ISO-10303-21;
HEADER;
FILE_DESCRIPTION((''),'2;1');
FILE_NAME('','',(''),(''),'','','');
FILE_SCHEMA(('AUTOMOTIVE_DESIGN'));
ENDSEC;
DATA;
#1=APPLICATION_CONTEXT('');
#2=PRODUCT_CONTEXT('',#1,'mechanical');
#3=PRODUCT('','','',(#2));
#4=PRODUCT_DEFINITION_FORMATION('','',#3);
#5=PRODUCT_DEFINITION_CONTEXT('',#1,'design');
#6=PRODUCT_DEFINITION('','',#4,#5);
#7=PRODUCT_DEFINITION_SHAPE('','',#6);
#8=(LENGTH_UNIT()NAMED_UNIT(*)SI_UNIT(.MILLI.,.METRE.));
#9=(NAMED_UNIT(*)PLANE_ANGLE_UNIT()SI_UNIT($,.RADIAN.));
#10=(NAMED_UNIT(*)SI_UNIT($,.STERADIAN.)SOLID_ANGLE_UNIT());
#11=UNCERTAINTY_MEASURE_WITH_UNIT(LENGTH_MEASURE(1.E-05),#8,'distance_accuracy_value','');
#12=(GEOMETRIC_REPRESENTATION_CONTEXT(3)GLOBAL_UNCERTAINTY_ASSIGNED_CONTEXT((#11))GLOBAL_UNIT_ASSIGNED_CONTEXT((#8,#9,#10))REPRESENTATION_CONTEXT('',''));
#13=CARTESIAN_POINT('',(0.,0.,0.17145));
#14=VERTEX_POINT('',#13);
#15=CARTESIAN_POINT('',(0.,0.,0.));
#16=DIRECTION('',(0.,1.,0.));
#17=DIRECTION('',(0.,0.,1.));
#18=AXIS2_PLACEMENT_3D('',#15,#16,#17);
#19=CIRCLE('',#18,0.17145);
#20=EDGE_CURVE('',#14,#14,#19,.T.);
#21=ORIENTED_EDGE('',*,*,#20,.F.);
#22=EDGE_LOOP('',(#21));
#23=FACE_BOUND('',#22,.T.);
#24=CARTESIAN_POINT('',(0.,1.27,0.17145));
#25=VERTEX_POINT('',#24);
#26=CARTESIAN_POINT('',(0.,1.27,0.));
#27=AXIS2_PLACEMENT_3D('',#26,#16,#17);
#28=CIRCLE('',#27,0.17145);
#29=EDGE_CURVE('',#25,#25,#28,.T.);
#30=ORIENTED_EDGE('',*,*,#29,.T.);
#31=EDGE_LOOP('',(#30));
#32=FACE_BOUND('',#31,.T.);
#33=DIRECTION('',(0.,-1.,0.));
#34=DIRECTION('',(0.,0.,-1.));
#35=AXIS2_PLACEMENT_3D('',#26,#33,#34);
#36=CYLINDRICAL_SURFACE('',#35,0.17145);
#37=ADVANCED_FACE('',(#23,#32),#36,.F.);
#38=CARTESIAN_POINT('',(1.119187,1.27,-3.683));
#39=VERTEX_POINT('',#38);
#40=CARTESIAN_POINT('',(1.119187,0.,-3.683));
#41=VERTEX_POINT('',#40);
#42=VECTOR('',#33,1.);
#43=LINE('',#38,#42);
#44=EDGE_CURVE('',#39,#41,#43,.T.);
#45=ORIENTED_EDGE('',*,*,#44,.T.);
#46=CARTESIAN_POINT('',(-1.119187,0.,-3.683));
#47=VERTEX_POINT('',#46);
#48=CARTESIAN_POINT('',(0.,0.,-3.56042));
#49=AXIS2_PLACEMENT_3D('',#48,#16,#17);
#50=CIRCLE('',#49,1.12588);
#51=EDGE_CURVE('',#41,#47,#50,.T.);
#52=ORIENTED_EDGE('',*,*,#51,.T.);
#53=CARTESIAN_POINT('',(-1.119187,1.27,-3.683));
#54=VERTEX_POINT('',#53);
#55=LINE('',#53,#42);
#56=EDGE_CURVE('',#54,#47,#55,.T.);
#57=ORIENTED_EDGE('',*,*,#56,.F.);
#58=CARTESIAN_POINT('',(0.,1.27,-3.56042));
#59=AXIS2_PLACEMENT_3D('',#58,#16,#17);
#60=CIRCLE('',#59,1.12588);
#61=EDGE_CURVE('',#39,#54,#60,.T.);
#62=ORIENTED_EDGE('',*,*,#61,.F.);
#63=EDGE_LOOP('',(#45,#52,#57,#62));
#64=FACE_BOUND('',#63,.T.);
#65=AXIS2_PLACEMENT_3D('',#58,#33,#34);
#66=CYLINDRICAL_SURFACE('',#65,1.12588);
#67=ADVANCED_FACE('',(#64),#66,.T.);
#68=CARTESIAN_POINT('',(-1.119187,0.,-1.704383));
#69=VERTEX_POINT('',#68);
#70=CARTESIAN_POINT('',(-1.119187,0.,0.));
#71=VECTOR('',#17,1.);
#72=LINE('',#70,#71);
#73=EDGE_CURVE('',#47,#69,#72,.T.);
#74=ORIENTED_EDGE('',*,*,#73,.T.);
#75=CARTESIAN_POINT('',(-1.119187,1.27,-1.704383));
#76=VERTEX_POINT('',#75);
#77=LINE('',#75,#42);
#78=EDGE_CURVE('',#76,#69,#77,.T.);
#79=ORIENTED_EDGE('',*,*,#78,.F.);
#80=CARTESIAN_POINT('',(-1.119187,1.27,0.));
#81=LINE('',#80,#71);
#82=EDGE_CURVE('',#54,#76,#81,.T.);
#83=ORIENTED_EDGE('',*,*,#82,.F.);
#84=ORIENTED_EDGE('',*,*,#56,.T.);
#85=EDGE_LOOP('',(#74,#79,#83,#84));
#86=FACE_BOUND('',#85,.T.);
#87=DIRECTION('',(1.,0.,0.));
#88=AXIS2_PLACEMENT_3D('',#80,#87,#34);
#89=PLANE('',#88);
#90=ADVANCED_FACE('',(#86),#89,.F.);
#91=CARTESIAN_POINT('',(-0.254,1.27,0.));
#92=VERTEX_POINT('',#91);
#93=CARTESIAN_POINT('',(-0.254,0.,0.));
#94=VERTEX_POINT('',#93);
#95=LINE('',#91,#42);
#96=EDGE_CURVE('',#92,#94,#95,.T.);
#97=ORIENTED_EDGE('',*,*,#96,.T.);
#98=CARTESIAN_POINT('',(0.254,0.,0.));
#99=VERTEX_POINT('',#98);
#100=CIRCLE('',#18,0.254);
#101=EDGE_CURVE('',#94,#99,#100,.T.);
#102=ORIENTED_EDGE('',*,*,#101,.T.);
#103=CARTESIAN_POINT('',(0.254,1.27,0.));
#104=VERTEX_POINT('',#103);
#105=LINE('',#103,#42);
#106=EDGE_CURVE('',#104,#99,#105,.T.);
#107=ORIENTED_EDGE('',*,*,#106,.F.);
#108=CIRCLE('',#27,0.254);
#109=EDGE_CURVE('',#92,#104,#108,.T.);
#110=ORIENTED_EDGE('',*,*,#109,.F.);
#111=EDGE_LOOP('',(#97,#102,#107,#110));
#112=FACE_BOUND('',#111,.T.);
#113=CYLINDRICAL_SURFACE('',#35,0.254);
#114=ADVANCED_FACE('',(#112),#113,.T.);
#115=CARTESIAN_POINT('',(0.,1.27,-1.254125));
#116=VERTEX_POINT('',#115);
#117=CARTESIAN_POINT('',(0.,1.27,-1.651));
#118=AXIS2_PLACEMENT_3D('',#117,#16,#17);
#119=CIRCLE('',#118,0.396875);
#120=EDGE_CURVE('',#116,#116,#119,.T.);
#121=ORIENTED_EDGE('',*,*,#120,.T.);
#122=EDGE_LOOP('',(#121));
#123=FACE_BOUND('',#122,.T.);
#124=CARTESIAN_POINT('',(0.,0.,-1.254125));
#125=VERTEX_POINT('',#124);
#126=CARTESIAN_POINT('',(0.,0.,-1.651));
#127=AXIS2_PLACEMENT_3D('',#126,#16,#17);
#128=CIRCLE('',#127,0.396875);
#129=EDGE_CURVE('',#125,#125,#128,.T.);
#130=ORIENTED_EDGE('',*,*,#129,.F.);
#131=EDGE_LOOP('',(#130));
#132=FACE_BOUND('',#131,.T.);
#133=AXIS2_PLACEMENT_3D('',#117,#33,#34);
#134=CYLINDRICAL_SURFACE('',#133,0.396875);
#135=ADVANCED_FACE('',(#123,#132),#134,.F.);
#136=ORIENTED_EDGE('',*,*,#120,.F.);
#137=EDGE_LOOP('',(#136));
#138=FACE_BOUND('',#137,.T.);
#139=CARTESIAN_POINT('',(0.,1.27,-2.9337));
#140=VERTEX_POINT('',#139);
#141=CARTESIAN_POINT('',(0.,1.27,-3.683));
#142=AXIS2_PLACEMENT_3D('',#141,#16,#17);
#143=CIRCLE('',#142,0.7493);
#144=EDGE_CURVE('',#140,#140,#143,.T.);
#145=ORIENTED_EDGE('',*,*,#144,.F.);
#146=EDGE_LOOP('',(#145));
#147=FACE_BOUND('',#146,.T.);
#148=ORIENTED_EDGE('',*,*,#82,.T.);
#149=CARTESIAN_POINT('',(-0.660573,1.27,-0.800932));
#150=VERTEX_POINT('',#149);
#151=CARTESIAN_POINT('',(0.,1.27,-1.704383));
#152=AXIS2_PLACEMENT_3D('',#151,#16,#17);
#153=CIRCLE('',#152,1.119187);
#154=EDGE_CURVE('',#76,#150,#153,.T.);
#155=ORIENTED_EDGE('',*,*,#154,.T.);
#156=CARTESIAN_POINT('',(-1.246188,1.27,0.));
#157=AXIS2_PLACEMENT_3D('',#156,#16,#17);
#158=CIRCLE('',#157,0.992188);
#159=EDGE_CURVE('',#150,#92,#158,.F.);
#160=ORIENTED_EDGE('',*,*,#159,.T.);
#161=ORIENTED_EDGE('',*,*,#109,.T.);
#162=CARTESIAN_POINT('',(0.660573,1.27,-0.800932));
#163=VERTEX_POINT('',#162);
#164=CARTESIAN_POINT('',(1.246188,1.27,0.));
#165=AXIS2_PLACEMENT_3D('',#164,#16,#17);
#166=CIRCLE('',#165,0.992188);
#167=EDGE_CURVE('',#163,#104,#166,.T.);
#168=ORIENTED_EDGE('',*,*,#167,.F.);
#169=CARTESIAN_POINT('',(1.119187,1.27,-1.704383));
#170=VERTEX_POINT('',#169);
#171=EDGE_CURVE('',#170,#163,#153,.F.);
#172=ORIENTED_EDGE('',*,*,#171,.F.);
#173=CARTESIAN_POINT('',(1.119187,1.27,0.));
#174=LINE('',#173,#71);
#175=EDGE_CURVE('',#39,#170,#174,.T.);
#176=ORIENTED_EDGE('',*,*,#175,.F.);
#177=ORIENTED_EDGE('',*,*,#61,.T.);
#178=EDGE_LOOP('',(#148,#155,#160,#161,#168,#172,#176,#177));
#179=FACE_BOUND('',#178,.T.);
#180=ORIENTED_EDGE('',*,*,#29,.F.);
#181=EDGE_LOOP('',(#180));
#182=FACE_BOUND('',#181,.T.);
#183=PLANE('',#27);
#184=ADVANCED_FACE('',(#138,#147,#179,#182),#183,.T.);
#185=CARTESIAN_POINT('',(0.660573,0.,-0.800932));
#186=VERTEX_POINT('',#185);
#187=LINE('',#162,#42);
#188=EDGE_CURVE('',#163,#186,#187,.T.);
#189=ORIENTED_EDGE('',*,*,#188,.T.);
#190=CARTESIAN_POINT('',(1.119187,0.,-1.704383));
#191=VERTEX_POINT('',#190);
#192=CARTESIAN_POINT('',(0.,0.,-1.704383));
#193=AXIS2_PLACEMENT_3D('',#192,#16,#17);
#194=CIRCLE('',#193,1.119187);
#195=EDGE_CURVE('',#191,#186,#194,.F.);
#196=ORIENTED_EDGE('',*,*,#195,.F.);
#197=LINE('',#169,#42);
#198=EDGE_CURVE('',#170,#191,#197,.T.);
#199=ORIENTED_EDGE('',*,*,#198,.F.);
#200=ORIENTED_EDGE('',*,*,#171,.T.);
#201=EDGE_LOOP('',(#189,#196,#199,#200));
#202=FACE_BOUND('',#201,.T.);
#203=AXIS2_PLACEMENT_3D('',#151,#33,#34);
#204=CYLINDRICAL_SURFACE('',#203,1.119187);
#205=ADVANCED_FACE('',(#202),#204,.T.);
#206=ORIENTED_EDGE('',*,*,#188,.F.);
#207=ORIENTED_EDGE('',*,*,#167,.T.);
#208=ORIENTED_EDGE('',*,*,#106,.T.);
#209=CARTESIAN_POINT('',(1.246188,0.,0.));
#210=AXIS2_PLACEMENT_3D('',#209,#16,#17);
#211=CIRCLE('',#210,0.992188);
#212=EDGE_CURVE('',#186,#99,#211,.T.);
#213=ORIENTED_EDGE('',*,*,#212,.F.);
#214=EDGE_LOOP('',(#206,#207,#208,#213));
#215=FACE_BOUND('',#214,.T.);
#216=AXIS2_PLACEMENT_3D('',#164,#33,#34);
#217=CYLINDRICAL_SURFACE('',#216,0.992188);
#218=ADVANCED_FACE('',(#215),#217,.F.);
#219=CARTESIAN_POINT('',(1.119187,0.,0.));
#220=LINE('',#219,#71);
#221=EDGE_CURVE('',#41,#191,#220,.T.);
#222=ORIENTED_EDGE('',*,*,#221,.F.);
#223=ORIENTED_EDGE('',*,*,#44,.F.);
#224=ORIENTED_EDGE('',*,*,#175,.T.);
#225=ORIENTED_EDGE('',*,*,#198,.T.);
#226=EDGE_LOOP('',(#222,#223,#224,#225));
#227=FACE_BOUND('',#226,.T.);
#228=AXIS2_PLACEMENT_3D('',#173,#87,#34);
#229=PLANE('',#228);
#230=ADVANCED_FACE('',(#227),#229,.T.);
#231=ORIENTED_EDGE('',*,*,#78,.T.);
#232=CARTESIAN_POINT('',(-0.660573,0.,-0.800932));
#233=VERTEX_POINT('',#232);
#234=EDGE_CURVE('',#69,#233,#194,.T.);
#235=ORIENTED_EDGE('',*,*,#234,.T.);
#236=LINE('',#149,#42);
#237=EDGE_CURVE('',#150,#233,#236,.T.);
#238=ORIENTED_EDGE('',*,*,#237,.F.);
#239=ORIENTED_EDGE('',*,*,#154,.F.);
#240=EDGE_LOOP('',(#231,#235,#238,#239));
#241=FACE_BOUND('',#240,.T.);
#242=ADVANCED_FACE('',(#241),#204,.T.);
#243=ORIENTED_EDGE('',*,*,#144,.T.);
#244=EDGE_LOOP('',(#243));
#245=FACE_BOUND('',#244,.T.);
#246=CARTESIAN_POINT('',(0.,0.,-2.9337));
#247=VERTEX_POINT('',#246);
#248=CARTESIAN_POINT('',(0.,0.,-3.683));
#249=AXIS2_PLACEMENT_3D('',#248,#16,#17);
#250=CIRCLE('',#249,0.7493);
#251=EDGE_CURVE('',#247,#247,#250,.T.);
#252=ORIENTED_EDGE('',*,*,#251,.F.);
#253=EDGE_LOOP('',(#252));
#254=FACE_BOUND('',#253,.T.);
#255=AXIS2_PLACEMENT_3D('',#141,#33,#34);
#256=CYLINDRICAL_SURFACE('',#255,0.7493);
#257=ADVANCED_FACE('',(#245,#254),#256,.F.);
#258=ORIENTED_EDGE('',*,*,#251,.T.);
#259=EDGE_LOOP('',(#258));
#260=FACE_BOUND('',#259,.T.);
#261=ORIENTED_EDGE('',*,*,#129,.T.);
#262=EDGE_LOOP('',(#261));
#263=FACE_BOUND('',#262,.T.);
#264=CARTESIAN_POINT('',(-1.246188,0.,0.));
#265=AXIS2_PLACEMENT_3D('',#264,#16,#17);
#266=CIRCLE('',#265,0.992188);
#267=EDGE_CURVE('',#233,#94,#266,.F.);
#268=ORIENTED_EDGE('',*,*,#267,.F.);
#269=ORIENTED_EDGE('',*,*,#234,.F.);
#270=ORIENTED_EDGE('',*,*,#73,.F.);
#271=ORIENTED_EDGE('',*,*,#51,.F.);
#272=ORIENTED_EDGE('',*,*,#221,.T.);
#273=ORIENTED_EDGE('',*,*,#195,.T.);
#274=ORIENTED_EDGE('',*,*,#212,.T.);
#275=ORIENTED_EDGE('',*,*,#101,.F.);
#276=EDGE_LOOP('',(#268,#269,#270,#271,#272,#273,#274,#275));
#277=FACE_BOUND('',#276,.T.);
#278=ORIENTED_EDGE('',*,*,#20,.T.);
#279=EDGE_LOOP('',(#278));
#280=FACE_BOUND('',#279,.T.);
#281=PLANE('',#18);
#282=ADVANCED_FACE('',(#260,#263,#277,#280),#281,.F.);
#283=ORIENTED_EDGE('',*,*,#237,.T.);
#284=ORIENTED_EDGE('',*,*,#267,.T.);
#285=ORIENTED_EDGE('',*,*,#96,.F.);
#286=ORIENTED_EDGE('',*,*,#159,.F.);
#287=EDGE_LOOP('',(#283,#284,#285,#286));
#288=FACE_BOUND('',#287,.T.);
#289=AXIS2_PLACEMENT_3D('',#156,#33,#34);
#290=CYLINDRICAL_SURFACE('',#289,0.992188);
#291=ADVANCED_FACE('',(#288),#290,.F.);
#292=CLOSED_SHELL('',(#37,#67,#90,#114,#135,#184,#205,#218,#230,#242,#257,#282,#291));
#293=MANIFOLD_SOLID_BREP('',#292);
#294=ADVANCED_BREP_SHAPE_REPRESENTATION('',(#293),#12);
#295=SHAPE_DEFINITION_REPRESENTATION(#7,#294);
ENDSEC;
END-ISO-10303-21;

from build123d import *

# Parameters (mm, degrees)
SKETCH1_R           = 0.396875
SKETCH1_R_2         = 0.7493
SKETCH1_R_3         = 0.254
SKETCH1_R_4         = 0.17145
BOSS_EXTRUDE1_DEPTH = 1.27


with BuildPart() as part:
    # Sketch1 → Boss-Extrude1 (new body)
    # profile 1 of 2: a face of its own
    with BuildSketch(Plane(origin=(0, 0, 0), x_dir=(1, 0, 0), z_dir=(0, 1, 0))):
        with BuildLine():
            ThreePointArc((1.1191875, 3.683), (0, 4.6863), (-1.1191875, 3.683))
            Line((-1.1191875, 3.683), (-1.1191875, 1.70438291))
            ThreePointArc((-1.1191875, 1.70438291), (-0.997969385, 1.197788628), (-0.660573073, 0.800931819))
            ThreePointArc((-0.660573073, 0.800931819), (-0.361462868, 0.449108406), (-0.254, 0))
            ThreePointArc((-0.254, 0), (0, 0.254), (0.254, 0))
            ThreePointArc((0.254, 0), (0.361462868, 0.449108406), (0.660573073, 0.800931819))
            ThreePointArc((0.660573073, 0.800931819), (0.997969385, 1.197788628), (1.1191875, 1.70438291))
            Line((1.1191875, 1.70438291), (1.1191875, 3.683))
        make_face()
        with Locations(Location((0, 1.651, 0), (0, 0, 270))):
            Circle(SKETCH1_R, mode=Mode.SUBTRACT)
        with Locations(Location((0, 3.683, 0), (0, 0, 270))):
            Circle(SKETCH1_R_2, mode=Mode.SUBTRACT)
    # profile 2 of 2: a face of its own
    with BuildSketch(Plane(origin=(0, 0, 0), x_dir=(1, 0, 0), z_dir=(0, 1, 0))):
        Circle(SKETCH1_R_3)
        with Locations(Location((0, 0, 0), (0, 0, 270))):
            Circle(SKETCH1_R_4, mode=Mode.SUBTRACT)
    extrude(amount=BOSS_EXTRUDE1_DEPTH)


solid = part.part
